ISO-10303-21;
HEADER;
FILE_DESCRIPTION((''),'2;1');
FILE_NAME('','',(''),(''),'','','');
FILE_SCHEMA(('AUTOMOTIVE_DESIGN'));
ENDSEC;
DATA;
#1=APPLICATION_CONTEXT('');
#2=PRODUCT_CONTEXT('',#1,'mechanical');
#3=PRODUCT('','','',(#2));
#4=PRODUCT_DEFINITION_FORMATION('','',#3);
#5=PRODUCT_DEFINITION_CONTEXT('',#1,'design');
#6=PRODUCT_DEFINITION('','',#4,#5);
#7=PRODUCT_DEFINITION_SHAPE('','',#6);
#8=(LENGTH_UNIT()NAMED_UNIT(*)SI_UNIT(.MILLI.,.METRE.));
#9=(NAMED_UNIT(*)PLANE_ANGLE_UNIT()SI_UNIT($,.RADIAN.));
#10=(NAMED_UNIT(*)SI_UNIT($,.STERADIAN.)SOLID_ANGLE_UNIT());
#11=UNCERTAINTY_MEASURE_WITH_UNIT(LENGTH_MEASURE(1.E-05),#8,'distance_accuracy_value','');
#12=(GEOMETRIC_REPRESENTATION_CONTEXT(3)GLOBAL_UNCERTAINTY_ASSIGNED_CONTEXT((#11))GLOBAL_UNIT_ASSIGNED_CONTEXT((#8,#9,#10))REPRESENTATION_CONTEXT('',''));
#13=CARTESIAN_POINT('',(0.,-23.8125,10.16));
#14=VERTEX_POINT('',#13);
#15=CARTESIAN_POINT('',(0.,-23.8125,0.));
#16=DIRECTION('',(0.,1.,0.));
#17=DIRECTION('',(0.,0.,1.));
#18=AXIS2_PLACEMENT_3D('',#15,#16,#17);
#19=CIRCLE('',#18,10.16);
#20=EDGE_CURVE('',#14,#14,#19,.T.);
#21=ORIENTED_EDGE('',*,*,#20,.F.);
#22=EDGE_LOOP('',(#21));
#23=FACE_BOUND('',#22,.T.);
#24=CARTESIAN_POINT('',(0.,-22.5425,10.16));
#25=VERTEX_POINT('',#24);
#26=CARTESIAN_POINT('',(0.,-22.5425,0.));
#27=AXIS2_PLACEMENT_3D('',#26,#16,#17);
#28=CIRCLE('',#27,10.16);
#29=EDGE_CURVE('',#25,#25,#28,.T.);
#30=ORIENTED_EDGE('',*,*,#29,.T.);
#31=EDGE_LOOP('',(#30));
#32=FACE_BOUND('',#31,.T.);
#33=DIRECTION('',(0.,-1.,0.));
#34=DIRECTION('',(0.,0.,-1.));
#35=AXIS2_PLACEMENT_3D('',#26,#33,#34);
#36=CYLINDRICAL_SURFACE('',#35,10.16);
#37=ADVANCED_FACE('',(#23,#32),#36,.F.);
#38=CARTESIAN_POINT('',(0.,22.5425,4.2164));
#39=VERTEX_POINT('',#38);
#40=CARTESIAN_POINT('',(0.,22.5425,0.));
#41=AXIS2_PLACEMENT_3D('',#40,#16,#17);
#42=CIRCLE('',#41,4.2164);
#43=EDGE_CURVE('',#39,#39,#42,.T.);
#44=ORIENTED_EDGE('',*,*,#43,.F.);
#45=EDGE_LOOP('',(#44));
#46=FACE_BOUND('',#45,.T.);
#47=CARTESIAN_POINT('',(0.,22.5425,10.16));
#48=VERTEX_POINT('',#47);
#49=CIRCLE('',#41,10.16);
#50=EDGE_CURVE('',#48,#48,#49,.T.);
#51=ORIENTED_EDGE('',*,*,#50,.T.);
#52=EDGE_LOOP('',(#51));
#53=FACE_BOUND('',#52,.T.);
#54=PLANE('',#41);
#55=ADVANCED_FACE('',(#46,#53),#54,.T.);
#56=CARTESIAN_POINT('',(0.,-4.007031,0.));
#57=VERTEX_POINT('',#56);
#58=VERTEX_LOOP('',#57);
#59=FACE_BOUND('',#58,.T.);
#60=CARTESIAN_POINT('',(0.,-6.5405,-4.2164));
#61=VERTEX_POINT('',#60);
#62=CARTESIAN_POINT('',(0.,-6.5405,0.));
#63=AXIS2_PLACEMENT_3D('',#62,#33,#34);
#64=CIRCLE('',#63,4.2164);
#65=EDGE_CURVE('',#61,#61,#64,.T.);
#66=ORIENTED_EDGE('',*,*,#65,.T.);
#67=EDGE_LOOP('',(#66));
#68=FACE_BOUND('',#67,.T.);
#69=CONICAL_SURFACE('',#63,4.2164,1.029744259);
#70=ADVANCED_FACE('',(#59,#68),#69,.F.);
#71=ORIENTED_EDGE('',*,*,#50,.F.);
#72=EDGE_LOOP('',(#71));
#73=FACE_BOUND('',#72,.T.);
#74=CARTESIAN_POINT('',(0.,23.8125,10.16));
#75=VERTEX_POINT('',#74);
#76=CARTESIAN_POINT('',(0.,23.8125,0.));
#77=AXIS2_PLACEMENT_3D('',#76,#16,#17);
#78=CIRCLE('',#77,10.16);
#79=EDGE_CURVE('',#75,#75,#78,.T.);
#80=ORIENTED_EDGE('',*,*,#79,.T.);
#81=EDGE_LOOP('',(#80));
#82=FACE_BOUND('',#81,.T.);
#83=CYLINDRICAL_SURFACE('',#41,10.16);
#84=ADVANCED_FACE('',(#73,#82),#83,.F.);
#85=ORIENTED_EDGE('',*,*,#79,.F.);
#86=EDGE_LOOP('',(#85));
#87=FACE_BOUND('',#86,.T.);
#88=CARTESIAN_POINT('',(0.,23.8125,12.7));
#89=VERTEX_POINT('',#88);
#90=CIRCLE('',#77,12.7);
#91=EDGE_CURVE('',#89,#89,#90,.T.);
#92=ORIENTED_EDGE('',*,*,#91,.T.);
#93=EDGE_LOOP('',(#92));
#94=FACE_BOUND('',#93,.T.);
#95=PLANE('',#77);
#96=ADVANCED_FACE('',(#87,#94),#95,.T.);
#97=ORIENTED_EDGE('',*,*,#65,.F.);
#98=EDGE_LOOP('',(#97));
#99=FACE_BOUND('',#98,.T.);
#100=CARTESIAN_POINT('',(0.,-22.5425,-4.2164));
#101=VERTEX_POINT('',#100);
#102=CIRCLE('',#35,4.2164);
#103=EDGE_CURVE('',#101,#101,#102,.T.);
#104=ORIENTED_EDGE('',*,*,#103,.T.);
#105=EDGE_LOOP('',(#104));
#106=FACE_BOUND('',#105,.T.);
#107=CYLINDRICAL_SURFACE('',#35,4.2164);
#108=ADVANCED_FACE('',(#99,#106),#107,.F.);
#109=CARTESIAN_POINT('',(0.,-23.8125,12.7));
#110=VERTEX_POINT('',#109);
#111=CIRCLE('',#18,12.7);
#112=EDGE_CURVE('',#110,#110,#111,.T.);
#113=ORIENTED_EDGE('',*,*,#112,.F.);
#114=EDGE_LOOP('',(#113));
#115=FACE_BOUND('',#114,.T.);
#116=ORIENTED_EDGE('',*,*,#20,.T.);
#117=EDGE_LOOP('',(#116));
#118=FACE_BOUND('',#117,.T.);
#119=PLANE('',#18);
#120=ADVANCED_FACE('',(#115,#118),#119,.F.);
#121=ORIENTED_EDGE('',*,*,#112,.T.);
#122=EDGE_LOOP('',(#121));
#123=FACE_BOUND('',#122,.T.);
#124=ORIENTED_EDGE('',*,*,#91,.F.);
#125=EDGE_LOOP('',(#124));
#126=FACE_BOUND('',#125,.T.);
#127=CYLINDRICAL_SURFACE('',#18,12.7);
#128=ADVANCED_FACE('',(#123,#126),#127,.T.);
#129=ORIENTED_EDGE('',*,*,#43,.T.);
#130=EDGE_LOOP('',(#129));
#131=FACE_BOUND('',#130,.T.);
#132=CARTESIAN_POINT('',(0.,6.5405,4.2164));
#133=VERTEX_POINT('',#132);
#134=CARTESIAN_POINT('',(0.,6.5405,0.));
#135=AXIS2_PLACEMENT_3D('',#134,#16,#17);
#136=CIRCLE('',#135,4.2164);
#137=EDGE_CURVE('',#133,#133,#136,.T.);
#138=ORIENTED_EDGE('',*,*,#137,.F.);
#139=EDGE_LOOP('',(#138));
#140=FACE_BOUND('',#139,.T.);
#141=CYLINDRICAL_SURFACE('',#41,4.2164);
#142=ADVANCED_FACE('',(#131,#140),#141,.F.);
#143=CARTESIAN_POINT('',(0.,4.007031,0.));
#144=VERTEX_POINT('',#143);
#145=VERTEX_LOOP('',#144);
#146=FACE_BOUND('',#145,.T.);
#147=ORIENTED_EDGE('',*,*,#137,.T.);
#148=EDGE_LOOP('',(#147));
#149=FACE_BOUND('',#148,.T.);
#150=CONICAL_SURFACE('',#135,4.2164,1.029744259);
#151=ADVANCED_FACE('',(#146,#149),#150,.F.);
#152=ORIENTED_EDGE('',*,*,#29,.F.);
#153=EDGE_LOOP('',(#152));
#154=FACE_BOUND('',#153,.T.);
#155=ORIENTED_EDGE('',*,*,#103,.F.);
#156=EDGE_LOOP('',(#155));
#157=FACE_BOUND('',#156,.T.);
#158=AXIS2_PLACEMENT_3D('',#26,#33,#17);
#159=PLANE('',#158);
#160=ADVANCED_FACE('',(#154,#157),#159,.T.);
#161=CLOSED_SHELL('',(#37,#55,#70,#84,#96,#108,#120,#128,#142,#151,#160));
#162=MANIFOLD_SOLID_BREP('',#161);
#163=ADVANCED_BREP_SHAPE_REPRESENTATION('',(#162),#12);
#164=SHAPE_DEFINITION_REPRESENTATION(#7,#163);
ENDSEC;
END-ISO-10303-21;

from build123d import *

# Parameters (mm, degrees)
BOSS_EXTRUDE1_DEPTH      = 23.8125
BOSS_EXTRUDE1_DEPTH_BACK = 23.8125
SKETCH1_R                = 12.7
SKETCH2_R                = 10.16
CUT_EXTRUDE1_DEPTH       = 1.27


with BuildPart() as part:
    # Sketch1 → Boss-Extrude1 (new, two sides: drawn at the far end of the back side and taken through both)
    with BuildSketch(Plane(origin=(0, 0, 0), x_dir=(1, 0, 0), z_dir=(0, 1, 0)).offset(-BOSS_EXTRUDE1_DEPTH_BACK)):
        Circle(SKETCH1_R)
    extrude(amount=BOSS_EXTRUDE1_DEPTH + BOSS_EXTRUDE1_DEPTH_BACK)

    # Sketch2 → Cut-Extrude1 (cut)
    with BuildSketch(Plane(origin=(0, 23.8125, 0), x_dir=(1, 0, 0), z_dir=(0, 1, 0))):
        Circle(SKETCH2_R)
    cut_extrude1 = extrude(amount=-CUT_EXTRUDE1_DEPTH, mode=Mode.SUBTRACT)

    # Sketch5 → 3/8-24 Tapped Hole1 (revolve, cut)
    with BuildSketch(Plane(origin=(0, 22.5425, 0), x_dir=(0, 0, 1), z_dir=(1, 0, 0))):
        Polygon((0, 0), (0, 18.535468714), (4.2164, 16.002), (4.2164, 0), align=None)
    f_3_8_24_tapped_hole1 = revolve(axis=Axis((0, 28.8925, 0), (0, -1, 0)), mode=Mode.SUBTRACT)

    # Mirror1: Cut-Extrude1, 3/8-24 Tapped Hole1 across plane
    add(cut_extrude1.mirror(Plane.ZX), mode=Mode.SUBTRACT)
    add(f_3_8_24_tapped_hole1.mirror(Plane.ZX), mode=Mode.SUBTRACT)


solid = part.part
